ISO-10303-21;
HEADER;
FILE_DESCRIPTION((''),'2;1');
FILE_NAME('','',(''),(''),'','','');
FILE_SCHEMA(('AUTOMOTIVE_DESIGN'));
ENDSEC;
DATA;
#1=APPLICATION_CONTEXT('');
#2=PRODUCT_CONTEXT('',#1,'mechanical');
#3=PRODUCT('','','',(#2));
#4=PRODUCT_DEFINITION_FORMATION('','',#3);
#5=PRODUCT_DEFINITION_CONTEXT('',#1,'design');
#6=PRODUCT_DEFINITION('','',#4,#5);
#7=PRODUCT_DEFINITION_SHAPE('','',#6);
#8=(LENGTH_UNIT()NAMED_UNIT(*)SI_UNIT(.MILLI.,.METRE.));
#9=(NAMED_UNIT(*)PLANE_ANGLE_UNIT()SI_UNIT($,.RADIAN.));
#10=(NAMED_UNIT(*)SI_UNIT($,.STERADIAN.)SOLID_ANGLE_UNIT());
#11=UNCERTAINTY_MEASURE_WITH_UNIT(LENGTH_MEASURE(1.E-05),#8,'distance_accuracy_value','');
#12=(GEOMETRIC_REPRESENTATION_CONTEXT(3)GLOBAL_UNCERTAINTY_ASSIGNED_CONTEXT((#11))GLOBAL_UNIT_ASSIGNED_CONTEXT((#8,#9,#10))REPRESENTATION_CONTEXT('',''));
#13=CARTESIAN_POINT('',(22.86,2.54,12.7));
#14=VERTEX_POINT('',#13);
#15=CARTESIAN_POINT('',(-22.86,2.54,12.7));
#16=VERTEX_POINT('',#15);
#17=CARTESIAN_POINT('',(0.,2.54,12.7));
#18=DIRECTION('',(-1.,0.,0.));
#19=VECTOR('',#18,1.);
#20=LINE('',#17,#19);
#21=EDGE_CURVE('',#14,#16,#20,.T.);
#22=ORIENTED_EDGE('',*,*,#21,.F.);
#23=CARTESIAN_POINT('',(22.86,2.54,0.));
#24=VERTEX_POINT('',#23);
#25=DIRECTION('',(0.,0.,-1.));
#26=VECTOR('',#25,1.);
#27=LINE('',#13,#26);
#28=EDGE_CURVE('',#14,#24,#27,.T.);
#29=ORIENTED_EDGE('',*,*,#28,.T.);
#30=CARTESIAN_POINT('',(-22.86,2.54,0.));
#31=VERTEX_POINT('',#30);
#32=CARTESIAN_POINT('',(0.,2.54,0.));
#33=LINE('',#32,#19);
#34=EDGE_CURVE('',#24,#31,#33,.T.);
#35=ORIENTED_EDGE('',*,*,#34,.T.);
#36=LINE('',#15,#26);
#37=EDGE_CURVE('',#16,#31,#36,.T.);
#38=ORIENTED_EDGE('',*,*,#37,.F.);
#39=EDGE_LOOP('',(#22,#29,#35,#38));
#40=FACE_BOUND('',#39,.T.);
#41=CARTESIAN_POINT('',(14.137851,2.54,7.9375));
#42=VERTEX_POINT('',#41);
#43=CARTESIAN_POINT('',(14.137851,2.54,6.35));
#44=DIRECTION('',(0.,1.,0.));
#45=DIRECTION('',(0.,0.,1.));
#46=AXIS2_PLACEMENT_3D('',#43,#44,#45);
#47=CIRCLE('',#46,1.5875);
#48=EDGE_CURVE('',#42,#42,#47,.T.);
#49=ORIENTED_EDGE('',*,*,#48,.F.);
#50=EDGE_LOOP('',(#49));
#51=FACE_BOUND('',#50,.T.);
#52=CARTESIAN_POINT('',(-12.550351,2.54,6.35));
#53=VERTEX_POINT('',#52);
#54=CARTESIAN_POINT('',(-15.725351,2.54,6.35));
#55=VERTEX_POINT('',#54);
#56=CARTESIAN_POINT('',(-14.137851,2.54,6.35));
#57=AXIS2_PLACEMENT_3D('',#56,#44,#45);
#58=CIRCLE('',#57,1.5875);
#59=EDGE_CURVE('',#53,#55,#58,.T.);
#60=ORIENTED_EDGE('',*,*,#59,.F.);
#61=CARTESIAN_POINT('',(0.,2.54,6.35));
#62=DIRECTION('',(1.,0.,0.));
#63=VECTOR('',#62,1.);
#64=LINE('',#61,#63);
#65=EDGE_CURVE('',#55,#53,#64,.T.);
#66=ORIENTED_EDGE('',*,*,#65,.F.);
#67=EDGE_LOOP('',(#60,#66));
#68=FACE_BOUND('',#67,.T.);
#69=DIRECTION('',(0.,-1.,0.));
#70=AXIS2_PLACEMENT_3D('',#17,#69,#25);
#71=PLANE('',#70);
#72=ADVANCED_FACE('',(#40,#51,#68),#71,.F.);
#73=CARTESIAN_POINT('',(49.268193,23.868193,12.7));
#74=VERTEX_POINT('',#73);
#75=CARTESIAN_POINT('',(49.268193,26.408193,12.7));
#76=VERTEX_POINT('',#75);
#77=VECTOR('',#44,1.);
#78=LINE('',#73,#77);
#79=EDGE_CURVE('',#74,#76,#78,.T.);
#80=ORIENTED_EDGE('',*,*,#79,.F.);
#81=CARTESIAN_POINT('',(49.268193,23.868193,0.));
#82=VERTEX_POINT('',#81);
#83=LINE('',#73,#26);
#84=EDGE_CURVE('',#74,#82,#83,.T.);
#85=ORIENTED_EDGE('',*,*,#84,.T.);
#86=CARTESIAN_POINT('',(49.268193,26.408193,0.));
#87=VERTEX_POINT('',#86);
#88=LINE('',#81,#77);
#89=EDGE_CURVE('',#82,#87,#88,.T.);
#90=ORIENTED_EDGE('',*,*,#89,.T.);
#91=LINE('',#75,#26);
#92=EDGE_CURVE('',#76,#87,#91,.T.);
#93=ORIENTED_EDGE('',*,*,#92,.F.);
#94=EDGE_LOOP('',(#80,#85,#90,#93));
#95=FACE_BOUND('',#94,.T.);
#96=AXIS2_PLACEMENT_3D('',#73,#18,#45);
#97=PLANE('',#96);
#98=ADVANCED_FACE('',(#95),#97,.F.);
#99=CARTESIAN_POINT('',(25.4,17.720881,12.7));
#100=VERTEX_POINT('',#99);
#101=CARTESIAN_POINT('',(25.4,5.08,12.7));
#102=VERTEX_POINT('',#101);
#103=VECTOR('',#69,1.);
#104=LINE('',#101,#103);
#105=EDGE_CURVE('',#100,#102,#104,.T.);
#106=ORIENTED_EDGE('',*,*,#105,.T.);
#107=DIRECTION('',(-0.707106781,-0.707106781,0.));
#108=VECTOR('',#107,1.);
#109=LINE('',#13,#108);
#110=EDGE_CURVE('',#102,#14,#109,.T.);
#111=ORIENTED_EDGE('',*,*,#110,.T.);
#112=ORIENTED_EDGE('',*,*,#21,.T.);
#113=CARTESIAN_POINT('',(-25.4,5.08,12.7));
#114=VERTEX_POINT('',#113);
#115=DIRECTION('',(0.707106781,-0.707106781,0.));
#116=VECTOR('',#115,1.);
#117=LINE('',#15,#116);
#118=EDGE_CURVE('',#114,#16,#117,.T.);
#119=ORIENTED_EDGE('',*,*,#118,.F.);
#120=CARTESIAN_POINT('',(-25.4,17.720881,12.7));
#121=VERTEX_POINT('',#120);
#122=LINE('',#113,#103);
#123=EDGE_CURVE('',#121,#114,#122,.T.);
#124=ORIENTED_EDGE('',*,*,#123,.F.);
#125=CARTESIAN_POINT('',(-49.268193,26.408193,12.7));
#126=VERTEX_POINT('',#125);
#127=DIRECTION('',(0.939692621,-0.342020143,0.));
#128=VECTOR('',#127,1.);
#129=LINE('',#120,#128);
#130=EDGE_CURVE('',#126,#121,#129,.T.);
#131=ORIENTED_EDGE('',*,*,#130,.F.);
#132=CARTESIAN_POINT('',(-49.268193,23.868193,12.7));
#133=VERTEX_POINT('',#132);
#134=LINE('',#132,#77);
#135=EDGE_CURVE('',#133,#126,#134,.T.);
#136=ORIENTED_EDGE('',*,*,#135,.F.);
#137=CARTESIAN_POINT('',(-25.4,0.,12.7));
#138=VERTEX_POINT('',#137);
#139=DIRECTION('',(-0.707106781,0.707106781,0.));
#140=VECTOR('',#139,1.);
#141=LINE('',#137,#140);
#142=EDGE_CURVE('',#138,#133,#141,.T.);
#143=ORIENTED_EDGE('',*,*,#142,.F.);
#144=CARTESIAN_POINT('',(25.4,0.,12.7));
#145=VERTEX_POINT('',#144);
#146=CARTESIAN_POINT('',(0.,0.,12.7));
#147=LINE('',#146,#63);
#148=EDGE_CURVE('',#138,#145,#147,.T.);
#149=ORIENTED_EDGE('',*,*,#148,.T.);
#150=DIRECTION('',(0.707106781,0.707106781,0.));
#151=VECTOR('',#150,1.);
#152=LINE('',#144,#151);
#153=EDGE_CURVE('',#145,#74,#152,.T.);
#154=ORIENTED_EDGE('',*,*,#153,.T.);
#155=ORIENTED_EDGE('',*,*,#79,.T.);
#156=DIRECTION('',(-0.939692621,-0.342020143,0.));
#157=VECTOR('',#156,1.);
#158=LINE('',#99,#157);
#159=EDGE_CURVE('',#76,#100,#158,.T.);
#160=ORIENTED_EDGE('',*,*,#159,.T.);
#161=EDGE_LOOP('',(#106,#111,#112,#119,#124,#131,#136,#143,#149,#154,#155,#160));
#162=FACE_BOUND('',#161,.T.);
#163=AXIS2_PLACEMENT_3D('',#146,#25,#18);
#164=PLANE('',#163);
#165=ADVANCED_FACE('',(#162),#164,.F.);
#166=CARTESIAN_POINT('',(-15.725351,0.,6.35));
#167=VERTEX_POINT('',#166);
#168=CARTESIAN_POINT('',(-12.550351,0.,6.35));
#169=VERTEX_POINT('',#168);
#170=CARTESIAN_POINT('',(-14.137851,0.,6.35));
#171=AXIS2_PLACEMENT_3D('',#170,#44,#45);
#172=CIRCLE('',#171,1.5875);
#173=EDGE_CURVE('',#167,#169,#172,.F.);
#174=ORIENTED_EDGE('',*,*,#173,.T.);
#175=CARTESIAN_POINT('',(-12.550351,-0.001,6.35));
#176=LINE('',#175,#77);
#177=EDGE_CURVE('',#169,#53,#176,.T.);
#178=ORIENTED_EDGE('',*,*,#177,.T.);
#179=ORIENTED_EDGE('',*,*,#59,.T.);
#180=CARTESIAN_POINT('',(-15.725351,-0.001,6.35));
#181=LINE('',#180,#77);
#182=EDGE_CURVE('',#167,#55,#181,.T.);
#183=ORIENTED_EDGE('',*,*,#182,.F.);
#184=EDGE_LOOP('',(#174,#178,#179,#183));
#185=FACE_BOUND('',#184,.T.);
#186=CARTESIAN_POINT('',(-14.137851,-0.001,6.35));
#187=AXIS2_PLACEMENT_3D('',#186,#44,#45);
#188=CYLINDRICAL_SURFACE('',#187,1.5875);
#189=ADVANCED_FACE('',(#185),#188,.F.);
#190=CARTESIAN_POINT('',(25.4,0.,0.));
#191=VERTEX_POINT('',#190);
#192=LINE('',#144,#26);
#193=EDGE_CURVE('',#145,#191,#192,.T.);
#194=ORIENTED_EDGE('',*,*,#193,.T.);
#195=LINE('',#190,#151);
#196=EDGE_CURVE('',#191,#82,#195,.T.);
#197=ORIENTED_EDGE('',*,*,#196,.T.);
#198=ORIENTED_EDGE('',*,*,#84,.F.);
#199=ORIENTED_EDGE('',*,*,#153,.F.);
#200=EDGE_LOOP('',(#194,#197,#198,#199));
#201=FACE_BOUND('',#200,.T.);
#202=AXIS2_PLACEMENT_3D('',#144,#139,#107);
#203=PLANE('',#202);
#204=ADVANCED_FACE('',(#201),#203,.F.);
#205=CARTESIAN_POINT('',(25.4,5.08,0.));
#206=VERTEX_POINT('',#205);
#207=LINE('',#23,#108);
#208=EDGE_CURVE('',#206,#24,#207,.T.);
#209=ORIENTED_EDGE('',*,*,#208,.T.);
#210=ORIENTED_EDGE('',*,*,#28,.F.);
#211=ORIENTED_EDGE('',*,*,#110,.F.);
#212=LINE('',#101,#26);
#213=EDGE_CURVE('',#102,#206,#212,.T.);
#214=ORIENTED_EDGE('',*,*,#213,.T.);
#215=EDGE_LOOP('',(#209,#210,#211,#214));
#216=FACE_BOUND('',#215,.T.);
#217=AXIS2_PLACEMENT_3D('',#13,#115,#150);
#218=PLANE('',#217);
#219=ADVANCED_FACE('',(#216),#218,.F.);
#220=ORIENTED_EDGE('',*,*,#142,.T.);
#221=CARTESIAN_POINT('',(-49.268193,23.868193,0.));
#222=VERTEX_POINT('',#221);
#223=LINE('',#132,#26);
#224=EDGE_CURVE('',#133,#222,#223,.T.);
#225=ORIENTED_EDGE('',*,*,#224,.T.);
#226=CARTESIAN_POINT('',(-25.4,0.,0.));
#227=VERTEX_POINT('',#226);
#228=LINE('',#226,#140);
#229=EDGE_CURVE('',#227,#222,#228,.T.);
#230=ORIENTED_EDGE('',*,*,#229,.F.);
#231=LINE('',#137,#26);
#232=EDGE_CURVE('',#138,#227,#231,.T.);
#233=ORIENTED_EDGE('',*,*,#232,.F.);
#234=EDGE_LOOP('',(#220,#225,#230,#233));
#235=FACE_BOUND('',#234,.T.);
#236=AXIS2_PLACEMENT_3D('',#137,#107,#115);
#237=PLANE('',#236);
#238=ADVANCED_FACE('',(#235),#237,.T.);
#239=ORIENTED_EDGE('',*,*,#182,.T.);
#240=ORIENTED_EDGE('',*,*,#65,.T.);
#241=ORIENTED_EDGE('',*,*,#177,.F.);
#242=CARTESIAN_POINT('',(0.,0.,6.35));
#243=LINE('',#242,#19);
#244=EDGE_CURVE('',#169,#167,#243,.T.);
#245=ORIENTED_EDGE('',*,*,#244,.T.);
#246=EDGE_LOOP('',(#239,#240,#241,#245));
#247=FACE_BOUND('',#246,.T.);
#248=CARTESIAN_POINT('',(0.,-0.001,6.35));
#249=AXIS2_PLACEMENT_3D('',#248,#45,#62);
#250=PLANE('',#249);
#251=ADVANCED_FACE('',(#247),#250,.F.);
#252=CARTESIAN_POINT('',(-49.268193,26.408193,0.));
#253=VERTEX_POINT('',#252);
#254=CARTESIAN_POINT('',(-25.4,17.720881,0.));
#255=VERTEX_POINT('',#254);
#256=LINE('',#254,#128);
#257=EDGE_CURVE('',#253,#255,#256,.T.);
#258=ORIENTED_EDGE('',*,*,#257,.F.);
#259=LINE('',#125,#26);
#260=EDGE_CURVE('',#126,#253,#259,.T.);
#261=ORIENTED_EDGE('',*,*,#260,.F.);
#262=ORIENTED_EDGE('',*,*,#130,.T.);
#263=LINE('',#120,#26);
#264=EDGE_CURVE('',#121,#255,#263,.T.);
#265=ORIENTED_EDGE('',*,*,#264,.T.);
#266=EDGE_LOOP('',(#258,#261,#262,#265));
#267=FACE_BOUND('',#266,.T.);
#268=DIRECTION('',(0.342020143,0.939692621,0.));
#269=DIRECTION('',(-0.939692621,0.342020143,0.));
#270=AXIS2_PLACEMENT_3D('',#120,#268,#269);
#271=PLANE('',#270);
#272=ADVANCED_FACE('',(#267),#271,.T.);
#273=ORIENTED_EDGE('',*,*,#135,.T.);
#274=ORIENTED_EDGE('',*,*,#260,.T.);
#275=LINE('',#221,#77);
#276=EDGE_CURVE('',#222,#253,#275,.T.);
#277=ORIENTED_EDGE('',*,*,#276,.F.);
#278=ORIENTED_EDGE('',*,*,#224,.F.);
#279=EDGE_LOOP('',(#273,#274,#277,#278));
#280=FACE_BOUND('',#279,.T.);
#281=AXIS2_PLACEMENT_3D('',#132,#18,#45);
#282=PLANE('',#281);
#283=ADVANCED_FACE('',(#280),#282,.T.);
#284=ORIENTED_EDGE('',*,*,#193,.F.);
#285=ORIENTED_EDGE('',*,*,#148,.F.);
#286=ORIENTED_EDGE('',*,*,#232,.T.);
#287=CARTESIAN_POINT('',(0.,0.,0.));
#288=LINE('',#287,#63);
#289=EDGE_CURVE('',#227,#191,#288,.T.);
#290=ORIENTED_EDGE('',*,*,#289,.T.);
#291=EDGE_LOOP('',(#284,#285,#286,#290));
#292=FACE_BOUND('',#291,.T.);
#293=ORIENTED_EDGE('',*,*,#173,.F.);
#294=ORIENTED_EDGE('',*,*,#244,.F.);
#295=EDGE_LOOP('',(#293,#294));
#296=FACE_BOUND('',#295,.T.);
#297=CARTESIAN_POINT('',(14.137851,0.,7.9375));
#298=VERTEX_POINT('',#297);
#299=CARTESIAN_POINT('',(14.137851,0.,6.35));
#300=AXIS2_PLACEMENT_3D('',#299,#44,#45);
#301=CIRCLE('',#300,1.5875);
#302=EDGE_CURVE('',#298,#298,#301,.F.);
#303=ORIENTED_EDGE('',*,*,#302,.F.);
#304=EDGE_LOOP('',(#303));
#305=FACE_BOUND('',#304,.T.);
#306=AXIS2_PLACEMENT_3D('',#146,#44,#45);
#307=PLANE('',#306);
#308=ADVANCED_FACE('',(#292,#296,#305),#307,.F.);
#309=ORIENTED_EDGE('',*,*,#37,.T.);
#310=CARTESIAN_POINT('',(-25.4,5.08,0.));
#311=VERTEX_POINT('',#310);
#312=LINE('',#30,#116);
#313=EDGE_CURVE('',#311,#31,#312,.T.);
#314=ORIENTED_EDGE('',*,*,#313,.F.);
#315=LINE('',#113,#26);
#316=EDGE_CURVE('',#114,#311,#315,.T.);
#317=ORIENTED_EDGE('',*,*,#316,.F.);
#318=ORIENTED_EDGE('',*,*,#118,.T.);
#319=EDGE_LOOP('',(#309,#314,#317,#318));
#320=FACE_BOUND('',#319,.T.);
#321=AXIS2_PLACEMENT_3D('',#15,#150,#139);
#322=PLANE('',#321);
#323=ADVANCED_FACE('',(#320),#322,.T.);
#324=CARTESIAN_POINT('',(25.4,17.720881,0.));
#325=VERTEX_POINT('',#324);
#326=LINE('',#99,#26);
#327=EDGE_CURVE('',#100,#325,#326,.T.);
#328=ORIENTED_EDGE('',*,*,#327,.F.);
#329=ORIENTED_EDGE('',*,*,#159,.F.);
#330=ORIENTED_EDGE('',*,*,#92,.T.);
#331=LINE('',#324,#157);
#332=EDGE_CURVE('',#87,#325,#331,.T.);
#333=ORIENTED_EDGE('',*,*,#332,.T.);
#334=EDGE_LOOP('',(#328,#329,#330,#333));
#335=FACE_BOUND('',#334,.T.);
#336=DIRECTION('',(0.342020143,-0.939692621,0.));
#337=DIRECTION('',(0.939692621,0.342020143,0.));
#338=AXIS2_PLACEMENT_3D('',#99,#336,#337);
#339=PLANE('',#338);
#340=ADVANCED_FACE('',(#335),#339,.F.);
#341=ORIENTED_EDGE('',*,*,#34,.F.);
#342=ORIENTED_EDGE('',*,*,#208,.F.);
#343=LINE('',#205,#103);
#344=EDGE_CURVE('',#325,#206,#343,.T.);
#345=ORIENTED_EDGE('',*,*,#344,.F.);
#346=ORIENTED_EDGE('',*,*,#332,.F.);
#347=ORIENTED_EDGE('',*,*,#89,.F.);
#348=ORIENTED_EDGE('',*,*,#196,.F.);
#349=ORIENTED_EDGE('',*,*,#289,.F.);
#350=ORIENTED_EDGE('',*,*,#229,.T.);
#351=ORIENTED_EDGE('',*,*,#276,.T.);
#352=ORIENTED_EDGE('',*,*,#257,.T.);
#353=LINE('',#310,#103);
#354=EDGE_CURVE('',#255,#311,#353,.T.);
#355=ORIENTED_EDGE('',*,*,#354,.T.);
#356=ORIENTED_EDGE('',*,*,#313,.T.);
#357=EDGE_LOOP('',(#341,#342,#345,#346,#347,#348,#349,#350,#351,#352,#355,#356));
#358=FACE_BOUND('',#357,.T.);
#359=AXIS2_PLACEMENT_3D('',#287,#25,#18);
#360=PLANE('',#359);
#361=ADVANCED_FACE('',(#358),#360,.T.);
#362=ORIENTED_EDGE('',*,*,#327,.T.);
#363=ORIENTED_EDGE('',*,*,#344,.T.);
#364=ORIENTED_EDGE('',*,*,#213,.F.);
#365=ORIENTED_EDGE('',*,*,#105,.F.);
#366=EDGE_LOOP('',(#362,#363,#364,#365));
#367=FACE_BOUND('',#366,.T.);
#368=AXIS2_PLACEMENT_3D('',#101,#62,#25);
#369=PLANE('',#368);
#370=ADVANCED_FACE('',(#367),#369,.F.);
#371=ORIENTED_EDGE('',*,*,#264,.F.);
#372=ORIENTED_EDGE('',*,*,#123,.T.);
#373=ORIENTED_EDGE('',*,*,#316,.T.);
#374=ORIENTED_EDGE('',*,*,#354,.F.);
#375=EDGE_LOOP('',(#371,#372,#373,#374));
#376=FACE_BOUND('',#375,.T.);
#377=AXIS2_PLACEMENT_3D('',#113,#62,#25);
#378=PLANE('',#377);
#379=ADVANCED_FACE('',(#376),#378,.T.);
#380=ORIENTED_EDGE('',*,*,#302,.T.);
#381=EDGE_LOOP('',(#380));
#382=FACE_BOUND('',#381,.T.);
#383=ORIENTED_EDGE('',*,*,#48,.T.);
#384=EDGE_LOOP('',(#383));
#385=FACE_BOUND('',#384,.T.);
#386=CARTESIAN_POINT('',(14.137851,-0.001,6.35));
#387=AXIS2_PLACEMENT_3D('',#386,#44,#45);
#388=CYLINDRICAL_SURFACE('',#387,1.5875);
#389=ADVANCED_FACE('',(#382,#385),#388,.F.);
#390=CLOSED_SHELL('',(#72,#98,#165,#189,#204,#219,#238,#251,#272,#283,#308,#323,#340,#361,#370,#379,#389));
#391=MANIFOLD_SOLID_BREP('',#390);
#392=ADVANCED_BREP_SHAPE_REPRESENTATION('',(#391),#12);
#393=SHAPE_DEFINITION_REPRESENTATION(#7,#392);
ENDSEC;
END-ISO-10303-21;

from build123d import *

# Parameters (mm, degrees)
BOSS_EXTRUDE1_DEPTH = 12.7
CUT_EXTRUDE1_REACH  = 58.199
SKETCH2_R           = 1.5875


with BuildPart() as part:
    # Sketch1 → Boss-Extrude1 (new body)
    with BuildSketch(Plane.XY):
        Polygon((25.4, 0), (49.268192568, 23.868192568), (49.268192568, 26.408192568), (25.4, 17.720880927), (25.4, 5.08), (22.86, 2.54), (0, 2.54), (0, 0), align=None)
    boss_extrude1 = extrude(amount=BOSS_EXTRUDE1_DEPTH)

    # Mirror1: Boss-Extrude1 across plane
    add(boss_extrude1.mirror(Plane(origin=(0, 0, 12.7), x_dir=(0, 0, 1), z_dir=(1, 0, 0))))

    # Sketch2 → Cut-Extrude1 (cut, up to next)
    with BuildSketch(Plane(origin=(0, 2.54, 0), x_dir=(1, 0, 0), z_dir=(0, 1, 0)), mode=Mode.PRIVATE) as cut_extrude1_sk1:
        with BuildLine():
            ThreePointArc((-12.550350762, -6.35), (-14.137850762, -4.7625), (-15.725350762, -6.35))
            Line((-15.725350762, -6.35), (-12.550350762, -6.35))
        make_face()
    cut_extrude1_tool1 = extrude(cut_extrude1_sk1.sketch, amount=-CUT_EXTRUDE1_REACH, mode=Mode.PRIVATE) & part.part
    # Sketch2 → Cut-Extrude1 (cut, up to next)
    with BuildSketch(Plane(origin=(0, 2.54, 0), x_dir=(1, 0, 0), z_dir=(0, 1, 0)), mode=Mode.PRIVATE) as cut_extrude1_sk2:
        with Locations(Location((14.137850762, -6.35, 0), (0, 0, 270))):
            Circle(SKETCH2_R)
    cut_extrude1_tool2 = extrude(cut_extrude1_sk2.sketch, amount=-CUT_EXTRUDE1_REACH, mode=Mode.PRIVATE) & part.part
    add(cut_extrude1_tool1.solids().sort_by_distance((-14.137851, 2.54, 5.676244))[0], mode=Mode.SUBTRACT)
    add(cut_extrude1_tool2.solids().sort_by_distance((14.137851, 2.54, 6.35))[0], mode=Mode.SUBTRACT)


solid = part.part
